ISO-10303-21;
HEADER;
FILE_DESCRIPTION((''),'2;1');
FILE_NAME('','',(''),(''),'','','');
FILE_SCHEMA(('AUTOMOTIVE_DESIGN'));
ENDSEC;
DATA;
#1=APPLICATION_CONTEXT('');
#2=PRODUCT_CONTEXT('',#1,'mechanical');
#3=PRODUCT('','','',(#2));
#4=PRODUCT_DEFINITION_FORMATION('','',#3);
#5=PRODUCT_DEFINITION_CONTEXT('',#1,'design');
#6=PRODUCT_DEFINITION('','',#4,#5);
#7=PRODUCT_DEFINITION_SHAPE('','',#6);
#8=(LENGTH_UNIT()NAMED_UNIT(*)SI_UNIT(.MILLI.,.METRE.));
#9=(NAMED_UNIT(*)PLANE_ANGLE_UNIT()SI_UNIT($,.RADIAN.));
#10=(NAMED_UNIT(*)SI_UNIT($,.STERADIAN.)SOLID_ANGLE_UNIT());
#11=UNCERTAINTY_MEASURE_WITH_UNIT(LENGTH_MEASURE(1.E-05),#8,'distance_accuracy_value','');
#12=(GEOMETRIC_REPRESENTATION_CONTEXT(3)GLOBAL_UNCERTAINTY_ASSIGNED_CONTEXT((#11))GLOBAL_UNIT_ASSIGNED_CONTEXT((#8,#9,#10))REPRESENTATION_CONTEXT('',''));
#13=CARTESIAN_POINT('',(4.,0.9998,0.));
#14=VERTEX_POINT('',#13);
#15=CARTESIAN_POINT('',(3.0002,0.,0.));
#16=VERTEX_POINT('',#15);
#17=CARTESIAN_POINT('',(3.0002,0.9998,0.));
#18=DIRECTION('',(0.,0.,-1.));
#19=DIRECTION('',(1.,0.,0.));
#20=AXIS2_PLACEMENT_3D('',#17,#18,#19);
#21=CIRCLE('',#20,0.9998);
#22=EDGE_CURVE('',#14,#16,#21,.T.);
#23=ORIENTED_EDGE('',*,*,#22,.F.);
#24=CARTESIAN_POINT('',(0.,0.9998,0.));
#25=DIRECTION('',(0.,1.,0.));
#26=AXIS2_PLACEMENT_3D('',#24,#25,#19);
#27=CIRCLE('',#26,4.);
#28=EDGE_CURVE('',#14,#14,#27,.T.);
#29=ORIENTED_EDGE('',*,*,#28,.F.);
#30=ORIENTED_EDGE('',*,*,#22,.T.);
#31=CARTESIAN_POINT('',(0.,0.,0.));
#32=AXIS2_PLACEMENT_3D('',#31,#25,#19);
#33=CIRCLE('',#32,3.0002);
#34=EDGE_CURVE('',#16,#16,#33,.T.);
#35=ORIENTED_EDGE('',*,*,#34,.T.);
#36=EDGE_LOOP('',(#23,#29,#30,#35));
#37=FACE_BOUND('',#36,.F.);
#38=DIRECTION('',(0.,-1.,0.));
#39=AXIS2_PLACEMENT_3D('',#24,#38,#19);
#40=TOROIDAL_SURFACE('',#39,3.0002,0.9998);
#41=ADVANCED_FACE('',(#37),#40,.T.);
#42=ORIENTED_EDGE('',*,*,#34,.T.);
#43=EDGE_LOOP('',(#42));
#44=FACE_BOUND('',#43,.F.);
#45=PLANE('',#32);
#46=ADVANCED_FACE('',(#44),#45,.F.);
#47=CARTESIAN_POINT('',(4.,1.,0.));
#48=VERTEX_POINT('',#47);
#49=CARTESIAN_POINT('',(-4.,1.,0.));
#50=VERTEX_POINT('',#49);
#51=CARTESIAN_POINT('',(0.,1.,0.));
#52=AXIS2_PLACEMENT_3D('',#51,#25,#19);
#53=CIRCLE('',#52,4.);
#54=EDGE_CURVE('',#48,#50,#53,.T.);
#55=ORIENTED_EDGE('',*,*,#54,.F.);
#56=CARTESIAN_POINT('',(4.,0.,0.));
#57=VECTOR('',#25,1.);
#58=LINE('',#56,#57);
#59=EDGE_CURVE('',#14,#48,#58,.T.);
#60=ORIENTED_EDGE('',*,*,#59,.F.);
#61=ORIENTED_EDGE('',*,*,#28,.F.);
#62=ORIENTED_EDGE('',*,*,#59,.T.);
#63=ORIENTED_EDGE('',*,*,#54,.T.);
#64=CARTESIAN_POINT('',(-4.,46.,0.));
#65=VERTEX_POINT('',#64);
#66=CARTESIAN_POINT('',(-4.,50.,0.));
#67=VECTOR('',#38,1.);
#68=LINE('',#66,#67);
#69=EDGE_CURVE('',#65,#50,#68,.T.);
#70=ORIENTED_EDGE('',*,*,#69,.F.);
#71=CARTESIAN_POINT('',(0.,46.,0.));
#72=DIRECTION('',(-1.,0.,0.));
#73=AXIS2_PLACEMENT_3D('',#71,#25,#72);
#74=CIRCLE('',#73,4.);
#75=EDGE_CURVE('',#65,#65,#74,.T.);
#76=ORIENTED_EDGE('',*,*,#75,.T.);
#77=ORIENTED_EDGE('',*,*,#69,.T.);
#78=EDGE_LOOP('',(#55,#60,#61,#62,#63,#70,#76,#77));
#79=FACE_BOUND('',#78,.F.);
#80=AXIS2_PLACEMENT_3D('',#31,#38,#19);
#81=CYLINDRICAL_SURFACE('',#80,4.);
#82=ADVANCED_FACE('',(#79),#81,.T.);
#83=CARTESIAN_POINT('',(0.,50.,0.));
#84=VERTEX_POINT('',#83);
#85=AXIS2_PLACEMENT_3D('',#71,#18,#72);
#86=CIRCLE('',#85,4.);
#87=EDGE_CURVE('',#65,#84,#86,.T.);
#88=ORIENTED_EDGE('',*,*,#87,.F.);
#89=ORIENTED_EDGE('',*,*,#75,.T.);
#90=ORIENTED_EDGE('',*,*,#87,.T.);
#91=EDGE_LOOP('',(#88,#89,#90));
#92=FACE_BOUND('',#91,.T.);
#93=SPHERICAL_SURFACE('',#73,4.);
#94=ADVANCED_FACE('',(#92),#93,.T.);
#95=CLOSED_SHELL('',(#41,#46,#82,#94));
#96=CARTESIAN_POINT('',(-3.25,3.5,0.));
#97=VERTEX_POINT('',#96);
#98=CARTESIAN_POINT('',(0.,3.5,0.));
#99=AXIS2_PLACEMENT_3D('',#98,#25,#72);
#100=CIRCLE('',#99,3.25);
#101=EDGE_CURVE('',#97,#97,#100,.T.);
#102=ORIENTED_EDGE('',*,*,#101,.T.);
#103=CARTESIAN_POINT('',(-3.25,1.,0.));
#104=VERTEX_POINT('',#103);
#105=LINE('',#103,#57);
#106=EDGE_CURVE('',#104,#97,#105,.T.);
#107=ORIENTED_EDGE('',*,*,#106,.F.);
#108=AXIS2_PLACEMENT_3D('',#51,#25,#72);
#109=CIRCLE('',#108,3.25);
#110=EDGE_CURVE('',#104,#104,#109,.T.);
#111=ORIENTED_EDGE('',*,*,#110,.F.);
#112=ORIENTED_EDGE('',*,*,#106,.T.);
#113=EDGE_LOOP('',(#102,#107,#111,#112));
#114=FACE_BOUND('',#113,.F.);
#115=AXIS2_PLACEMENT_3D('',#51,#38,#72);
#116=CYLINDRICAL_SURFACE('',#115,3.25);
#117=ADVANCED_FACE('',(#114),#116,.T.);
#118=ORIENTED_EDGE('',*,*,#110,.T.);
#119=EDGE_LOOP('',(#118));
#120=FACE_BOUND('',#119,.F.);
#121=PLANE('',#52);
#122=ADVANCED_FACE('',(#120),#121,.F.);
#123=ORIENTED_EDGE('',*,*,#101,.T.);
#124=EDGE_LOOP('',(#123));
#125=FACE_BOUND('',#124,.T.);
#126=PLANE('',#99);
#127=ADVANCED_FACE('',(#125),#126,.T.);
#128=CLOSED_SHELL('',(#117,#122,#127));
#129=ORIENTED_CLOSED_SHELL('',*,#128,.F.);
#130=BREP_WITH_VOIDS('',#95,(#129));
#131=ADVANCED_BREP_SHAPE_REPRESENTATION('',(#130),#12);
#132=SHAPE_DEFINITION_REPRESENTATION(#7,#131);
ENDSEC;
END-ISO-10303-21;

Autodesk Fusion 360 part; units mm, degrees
sketch "Base - Top" plane through (0, 0, 0) normal (0, 1, 0) x (1, 0, 0)
  circle A0 centre (0, 0) radius 4
  dimension "d6" = 8
extrude "Extrude1" add sketch "Base - Top" along normal blind 1
sketch "Cavity - Top" plane through (0, 1, 0) normal (0, 1, 0) x (-1, 0, 0)
  circle A0 centre (0, 0) radius 4
  circle A1 centre (0, 0) radius 3.25
  dimension "d9" = 6.5
extrude "Extrude2" add sketch "Cavity - Top" along normal blind 2.5
sketch "Handle - Top" plane through (0, 3.5, 0) normal (0, 1, 0) x (-1, 0, 0)
  circle A0 centre (0, 0) radius 3.25
  circle A1 centre (0, 0) radius 4
  circle A2 centre (0, 0) radius 4
  dimension "d12" = 8
extrude "Extrude3" add sketch "Handle - Top" along normal blind 46.5 contours A0 | A1 A2
fillet "Fillet1" radius 4 1 edges at (3.7293, 50, -1.4465)
fillet "Fillet2" radius 1 1 edges at (-3.7293, 0, 1.4465)
equation "full_length = 50 mm" comment "Full length of the applicator."
equation "full_width = 8 mm" comment "Full width of the applicator."
equation "cavity_depth = 1 mm" comment "Depth at which the magnet cavity begins."
equation "cavity_height = magnet_height + cavity_accuracy" comment "The height of the cavity."
equation "cavity_width = magnet_width + cavity_accuracy" comment "The width of the cavity."
equation "d6 = full_width"
equation "d7 = cavity_depth"
equation "d9 = cavity_width"
equation "d10 = cavity_height"
equation "d12 = full_width"
equation "d13 = handle_length"
equation "handle_length = full_length - cavity_height - cavity_depth" comment "Length from top of handle to top of cavity."
equation "magnet_height = 2 mm" comment "Height of the magnet."
equation "magnet_width = 6 mm" comment "Width of the magnet."
equation "cavity_accuracy = 0.5 mm" comment "How much extra space to give the magnet cavity."
equation "handle_fillet = full_width / 2" comment "Amount to fillet the top of the handle."
equation "d21 = handle_fillet"
equation "tip_fillet = 1 mm" comment "Amount to fillet the magnet-end of the applicator."
equation "d24 = tip_fillet"
